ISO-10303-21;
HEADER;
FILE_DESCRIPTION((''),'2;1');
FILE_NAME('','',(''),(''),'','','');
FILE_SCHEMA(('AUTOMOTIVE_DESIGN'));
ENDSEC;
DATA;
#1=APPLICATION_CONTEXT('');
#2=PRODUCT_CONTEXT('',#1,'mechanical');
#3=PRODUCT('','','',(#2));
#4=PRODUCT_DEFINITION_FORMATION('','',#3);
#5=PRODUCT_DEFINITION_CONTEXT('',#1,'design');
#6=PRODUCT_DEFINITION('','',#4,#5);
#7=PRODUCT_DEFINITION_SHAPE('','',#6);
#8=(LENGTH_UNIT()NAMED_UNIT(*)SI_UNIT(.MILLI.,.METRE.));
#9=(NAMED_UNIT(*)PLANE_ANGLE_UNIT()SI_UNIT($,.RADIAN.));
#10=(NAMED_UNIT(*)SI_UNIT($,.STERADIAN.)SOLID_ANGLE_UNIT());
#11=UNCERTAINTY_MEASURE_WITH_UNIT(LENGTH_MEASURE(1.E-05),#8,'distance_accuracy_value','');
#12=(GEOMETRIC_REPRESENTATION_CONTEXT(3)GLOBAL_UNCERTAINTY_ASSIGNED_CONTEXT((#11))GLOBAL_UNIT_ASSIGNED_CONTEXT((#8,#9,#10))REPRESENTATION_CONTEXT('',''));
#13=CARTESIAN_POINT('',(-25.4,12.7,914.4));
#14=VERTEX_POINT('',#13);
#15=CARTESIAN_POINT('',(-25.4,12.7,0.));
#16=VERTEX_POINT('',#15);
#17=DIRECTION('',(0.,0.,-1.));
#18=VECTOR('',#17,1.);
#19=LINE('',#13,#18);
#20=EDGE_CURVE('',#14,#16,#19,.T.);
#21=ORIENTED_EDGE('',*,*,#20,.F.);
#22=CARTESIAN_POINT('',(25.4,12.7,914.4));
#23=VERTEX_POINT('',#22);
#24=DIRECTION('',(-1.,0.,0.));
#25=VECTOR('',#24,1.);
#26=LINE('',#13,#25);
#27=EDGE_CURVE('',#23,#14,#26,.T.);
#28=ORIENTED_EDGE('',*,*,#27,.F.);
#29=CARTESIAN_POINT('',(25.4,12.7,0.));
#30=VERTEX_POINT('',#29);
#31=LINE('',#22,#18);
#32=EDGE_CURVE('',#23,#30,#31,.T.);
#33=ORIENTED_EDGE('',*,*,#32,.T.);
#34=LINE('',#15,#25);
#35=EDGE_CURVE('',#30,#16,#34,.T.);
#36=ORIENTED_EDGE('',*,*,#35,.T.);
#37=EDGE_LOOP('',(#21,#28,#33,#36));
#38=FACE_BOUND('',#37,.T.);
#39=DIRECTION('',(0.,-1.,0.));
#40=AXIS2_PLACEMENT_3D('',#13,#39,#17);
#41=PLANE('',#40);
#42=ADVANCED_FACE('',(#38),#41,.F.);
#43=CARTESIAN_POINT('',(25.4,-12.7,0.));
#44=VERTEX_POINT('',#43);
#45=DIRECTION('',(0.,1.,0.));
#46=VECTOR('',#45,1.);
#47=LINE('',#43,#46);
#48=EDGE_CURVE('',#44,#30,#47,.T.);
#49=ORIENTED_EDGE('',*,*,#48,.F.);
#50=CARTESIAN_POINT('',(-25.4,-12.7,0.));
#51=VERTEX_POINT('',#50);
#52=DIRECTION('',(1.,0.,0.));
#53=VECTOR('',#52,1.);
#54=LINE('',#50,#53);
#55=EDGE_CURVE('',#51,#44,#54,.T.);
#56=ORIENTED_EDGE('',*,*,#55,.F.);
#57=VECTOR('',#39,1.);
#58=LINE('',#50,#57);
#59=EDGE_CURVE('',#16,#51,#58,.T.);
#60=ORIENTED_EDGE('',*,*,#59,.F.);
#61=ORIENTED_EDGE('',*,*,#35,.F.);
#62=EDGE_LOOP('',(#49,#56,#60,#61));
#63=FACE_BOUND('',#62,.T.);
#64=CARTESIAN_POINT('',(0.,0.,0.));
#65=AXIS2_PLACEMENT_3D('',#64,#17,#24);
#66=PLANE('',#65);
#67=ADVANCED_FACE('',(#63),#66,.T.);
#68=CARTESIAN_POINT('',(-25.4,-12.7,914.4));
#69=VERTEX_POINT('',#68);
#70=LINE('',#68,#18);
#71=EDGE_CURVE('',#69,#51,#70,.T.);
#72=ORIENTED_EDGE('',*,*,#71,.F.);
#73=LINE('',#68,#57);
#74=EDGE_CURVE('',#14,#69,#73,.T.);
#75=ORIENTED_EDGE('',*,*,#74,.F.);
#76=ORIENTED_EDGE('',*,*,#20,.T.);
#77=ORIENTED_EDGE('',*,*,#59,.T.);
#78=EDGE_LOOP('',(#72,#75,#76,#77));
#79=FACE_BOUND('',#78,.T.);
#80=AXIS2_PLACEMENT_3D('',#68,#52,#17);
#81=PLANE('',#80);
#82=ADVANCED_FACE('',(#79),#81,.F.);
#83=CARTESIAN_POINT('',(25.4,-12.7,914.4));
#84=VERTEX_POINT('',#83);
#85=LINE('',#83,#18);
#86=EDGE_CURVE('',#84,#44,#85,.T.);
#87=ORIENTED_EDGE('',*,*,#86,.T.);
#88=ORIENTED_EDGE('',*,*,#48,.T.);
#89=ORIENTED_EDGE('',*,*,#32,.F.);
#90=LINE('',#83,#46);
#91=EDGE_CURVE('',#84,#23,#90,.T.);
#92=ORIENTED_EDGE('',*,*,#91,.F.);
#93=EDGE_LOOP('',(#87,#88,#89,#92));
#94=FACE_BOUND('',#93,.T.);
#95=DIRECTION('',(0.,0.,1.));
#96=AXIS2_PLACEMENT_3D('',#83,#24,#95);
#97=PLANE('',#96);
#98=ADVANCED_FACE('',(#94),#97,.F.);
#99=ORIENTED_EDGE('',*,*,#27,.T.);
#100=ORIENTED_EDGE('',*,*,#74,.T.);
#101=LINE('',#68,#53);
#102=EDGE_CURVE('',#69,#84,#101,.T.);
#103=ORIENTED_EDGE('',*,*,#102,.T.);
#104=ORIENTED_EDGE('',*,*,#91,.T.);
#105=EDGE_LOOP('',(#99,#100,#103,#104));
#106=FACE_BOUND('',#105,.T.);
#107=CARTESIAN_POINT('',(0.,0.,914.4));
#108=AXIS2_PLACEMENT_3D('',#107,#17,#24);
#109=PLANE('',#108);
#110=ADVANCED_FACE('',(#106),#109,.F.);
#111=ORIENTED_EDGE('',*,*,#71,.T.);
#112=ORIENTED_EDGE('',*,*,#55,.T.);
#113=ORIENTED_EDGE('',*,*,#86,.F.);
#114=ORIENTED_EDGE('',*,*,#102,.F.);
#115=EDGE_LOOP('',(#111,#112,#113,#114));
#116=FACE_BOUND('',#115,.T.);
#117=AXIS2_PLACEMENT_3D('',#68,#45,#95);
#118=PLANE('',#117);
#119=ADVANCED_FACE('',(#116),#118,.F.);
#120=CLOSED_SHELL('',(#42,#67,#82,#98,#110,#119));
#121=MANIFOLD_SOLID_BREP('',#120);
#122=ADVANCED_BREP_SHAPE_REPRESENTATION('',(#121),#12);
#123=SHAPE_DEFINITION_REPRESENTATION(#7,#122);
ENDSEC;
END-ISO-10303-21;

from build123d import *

# Parameters (mm, degrees)
SKETCH1_W           = 50.8
SKETCH1_H           = 25.4
BOSS_EXTRUDE1_DEPTH = 914.4


with BuildPart() as part:
    # Sketch1 → Boss-Extrude1 (new body)
    with BuildSketch(Plane.XY):
        Rectangle(SKETCH1_W, SKETCH1_H)
    extrude(amount=BOSS_EXTRUDE1_DEPTH)


solid = part.part
